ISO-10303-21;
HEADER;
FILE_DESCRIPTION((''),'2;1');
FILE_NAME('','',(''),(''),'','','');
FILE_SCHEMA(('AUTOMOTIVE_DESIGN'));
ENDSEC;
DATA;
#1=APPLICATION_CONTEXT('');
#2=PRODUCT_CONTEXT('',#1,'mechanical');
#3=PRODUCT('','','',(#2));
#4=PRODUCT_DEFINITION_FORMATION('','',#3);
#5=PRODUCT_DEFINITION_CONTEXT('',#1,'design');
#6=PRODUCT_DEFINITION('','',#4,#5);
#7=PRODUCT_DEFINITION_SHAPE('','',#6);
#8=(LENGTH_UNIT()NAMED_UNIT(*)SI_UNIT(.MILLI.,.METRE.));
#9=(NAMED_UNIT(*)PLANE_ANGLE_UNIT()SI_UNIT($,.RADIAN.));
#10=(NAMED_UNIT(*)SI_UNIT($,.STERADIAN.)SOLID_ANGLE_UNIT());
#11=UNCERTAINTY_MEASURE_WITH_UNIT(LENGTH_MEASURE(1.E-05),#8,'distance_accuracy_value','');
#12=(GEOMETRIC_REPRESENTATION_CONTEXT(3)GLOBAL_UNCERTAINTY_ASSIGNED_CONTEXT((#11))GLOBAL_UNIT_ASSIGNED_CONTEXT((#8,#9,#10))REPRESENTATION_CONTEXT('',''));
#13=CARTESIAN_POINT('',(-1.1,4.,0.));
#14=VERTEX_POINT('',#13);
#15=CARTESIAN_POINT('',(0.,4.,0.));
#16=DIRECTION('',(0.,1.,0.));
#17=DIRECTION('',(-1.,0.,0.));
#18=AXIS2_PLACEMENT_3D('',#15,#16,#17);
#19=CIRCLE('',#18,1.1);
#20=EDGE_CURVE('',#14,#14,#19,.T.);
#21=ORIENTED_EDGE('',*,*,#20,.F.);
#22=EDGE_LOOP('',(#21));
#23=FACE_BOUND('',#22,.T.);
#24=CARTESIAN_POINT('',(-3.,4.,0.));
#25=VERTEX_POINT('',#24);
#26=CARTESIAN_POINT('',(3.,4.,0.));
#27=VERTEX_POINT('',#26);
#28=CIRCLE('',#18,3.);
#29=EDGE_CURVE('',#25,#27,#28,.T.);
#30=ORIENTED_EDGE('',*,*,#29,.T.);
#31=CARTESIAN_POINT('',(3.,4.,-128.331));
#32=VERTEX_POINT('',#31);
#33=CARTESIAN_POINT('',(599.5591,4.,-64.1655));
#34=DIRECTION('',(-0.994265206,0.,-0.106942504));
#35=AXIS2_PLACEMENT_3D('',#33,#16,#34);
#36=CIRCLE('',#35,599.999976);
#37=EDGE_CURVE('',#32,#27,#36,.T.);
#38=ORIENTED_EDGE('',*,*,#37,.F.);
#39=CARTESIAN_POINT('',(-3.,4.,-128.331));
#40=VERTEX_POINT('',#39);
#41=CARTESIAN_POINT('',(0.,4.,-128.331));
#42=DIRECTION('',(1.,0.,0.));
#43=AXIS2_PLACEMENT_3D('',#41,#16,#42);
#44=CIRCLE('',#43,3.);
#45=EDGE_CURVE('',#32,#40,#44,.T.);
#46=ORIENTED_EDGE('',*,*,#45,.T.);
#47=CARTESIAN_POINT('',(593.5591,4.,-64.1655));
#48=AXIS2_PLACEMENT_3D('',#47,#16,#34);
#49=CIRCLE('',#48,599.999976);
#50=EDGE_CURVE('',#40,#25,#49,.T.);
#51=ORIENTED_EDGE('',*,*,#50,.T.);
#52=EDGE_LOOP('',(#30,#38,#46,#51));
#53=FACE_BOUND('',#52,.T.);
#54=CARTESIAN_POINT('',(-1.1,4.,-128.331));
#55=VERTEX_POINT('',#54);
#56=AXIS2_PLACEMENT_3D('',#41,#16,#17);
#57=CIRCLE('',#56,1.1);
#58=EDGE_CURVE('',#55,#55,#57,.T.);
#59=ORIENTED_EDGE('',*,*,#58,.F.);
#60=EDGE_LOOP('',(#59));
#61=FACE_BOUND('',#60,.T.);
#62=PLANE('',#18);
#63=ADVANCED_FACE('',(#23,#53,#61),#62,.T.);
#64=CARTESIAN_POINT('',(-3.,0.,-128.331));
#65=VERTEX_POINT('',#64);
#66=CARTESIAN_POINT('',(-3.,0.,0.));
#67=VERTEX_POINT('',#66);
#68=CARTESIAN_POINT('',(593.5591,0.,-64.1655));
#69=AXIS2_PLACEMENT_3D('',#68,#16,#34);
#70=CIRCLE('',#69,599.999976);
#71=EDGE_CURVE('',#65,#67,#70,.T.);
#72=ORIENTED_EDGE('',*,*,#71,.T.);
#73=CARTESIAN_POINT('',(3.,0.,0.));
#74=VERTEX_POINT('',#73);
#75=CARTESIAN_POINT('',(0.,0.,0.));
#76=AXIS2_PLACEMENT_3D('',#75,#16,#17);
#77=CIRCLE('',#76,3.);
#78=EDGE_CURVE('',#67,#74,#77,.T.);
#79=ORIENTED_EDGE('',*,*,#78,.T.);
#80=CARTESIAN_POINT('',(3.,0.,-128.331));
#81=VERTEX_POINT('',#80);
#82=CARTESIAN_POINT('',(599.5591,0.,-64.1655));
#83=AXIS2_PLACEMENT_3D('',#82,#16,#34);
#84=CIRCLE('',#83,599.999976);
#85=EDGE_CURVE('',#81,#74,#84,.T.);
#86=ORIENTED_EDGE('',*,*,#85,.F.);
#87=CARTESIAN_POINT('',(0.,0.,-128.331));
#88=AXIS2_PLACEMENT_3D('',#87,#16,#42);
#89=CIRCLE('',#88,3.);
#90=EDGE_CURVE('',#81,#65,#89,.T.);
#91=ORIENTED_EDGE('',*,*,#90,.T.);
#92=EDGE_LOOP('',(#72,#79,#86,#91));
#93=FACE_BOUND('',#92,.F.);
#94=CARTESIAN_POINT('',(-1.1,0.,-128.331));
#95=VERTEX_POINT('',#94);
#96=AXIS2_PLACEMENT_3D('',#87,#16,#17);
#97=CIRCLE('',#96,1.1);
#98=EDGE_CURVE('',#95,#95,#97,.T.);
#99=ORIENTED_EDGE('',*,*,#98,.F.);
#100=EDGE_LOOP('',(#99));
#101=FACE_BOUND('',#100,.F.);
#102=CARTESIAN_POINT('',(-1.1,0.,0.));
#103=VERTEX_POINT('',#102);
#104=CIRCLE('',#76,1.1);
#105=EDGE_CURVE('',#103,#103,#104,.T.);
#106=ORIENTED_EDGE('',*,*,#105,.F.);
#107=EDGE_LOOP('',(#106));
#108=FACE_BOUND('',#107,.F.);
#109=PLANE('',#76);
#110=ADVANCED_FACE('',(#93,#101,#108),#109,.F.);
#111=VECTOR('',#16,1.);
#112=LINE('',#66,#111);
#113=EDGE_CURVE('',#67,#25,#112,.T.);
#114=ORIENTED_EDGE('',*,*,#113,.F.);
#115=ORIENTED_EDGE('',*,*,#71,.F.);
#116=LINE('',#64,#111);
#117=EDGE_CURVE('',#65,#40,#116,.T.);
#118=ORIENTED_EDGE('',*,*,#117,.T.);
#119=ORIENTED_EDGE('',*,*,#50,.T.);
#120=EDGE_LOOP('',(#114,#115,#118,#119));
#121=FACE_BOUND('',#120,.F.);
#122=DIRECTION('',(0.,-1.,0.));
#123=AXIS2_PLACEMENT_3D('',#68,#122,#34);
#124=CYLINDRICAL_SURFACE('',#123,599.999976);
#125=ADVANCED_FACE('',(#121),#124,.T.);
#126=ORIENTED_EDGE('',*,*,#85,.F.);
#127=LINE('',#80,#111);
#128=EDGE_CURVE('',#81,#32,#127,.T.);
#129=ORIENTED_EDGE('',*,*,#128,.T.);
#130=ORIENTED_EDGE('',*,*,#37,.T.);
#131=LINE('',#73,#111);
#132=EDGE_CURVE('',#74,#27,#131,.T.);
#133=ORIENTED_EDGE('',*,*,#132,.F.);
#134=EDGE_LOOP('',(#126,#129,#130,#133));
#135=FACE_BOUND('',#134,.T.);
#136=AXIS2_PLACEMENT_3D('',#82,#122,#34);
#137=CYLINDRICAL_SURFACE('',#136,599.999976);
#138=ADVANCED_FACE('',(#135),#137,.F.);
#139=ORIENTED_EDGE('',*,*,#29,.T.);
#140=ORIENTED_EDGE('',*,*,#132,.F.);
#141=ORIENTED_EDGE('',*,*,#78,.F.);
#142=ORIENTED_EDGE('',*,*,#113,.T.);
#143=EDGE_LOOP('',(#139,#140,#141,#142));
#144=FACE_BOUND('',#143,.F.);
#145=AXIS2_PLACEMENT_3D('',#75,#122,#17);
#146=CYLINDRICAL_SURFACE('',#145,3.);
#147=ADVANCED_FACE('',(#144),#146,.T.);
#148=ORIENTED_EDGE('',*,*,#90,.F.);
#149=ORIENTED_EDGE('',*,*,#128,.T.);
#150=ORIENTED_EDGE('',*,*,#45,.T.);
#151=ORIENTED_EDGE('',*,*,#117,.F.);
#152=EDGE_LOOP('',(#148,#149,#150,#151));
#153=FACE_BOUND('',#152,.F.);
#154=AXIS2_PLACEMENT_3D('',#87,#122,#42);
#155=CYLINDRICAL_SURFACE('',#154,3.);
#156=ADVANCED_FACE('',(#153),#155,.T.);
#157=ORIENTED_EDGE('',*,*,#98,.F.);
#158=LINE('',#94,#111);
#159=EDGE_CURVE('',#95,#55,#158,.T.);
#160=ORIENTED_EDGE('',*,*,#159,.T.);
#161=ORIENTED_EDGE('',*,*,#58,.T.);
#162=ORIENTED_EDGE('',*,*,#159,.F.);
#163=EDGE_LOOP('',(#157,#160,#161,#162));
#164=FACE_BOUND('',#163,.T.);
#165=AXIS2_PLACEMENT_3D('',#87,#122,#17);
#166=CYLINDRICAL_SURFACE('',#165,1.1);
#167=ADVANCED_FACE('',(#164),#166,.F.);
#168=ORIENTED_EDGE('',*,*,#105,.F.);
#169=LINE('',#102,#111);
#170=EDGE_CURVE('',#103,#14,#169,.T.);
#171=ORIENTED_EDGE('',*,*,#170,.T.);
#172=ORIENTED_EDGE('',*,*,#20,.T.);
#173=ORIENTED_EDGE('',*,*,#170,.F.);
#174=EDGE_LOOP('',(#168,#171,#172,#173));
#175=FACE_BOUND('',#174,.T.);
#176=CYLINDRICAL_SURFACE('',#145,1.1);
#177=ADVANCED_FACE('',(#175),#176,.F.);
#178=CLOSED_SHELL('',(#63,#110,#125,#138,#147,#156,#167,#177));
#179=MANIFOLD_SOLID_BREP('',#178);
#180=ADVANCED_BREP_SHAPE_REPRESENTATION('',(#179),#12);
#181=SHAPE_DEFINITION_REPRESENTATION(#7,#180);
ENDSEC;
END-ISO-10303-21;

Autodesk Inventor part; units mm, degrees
ref_plane "YZ Plane" through (0, 0, 0) normal (1, 0, 0) x (0, 1, 0)
ref_plane "XZ Plane" through (0, 0, 0) normal (0, 1, 0) x (-1, 0, 0)
ref_plane "XY Plane" through (0, 0, 0) normal (0, 0, 1) x (1, 0, 0)
sketch "Sketch1" plane through (0, 0, 0) normal (0, 1, 0) x (-1, 0, 0)
  line L0 (0, 0) -> (0, -128.331) construction
  line L1 (3, 0) -> (3, -128.331)
  line L2 (-3, -128.331) -> (-3, 0)
  arc A0 (3, 0) -> (-3, 0) centre (0, 0) ccw
  arc A1 (-3, -128.331) -> (3, -128.331) centre (0, -128.331) ccw
  circle A2 centre (0, 0) radius 1.1
  circle A3 centre (0, -128.331) radius 1.1
  arc A4 (3, -128.331) -> (3, 0) centre (-593.5591, -64.1655) ccw
  arc A5 (-3, -128.331) -> (-3, 0) centre (-599.5591, -64.1655) ccw
  point P0 (0, -64.1655)
  dimension "d0" = 2.2
  dimension "d1" = 2.2
  dimension "d2" = 6
  dimension "d3" = 128.331
  dimension "d14" = 600
  dimension "d15" = 600
extrude "Extrusion1" add sketch "Sketch1" along normal blind 4 contours A4 L1 | L1 A1 A5 A0
